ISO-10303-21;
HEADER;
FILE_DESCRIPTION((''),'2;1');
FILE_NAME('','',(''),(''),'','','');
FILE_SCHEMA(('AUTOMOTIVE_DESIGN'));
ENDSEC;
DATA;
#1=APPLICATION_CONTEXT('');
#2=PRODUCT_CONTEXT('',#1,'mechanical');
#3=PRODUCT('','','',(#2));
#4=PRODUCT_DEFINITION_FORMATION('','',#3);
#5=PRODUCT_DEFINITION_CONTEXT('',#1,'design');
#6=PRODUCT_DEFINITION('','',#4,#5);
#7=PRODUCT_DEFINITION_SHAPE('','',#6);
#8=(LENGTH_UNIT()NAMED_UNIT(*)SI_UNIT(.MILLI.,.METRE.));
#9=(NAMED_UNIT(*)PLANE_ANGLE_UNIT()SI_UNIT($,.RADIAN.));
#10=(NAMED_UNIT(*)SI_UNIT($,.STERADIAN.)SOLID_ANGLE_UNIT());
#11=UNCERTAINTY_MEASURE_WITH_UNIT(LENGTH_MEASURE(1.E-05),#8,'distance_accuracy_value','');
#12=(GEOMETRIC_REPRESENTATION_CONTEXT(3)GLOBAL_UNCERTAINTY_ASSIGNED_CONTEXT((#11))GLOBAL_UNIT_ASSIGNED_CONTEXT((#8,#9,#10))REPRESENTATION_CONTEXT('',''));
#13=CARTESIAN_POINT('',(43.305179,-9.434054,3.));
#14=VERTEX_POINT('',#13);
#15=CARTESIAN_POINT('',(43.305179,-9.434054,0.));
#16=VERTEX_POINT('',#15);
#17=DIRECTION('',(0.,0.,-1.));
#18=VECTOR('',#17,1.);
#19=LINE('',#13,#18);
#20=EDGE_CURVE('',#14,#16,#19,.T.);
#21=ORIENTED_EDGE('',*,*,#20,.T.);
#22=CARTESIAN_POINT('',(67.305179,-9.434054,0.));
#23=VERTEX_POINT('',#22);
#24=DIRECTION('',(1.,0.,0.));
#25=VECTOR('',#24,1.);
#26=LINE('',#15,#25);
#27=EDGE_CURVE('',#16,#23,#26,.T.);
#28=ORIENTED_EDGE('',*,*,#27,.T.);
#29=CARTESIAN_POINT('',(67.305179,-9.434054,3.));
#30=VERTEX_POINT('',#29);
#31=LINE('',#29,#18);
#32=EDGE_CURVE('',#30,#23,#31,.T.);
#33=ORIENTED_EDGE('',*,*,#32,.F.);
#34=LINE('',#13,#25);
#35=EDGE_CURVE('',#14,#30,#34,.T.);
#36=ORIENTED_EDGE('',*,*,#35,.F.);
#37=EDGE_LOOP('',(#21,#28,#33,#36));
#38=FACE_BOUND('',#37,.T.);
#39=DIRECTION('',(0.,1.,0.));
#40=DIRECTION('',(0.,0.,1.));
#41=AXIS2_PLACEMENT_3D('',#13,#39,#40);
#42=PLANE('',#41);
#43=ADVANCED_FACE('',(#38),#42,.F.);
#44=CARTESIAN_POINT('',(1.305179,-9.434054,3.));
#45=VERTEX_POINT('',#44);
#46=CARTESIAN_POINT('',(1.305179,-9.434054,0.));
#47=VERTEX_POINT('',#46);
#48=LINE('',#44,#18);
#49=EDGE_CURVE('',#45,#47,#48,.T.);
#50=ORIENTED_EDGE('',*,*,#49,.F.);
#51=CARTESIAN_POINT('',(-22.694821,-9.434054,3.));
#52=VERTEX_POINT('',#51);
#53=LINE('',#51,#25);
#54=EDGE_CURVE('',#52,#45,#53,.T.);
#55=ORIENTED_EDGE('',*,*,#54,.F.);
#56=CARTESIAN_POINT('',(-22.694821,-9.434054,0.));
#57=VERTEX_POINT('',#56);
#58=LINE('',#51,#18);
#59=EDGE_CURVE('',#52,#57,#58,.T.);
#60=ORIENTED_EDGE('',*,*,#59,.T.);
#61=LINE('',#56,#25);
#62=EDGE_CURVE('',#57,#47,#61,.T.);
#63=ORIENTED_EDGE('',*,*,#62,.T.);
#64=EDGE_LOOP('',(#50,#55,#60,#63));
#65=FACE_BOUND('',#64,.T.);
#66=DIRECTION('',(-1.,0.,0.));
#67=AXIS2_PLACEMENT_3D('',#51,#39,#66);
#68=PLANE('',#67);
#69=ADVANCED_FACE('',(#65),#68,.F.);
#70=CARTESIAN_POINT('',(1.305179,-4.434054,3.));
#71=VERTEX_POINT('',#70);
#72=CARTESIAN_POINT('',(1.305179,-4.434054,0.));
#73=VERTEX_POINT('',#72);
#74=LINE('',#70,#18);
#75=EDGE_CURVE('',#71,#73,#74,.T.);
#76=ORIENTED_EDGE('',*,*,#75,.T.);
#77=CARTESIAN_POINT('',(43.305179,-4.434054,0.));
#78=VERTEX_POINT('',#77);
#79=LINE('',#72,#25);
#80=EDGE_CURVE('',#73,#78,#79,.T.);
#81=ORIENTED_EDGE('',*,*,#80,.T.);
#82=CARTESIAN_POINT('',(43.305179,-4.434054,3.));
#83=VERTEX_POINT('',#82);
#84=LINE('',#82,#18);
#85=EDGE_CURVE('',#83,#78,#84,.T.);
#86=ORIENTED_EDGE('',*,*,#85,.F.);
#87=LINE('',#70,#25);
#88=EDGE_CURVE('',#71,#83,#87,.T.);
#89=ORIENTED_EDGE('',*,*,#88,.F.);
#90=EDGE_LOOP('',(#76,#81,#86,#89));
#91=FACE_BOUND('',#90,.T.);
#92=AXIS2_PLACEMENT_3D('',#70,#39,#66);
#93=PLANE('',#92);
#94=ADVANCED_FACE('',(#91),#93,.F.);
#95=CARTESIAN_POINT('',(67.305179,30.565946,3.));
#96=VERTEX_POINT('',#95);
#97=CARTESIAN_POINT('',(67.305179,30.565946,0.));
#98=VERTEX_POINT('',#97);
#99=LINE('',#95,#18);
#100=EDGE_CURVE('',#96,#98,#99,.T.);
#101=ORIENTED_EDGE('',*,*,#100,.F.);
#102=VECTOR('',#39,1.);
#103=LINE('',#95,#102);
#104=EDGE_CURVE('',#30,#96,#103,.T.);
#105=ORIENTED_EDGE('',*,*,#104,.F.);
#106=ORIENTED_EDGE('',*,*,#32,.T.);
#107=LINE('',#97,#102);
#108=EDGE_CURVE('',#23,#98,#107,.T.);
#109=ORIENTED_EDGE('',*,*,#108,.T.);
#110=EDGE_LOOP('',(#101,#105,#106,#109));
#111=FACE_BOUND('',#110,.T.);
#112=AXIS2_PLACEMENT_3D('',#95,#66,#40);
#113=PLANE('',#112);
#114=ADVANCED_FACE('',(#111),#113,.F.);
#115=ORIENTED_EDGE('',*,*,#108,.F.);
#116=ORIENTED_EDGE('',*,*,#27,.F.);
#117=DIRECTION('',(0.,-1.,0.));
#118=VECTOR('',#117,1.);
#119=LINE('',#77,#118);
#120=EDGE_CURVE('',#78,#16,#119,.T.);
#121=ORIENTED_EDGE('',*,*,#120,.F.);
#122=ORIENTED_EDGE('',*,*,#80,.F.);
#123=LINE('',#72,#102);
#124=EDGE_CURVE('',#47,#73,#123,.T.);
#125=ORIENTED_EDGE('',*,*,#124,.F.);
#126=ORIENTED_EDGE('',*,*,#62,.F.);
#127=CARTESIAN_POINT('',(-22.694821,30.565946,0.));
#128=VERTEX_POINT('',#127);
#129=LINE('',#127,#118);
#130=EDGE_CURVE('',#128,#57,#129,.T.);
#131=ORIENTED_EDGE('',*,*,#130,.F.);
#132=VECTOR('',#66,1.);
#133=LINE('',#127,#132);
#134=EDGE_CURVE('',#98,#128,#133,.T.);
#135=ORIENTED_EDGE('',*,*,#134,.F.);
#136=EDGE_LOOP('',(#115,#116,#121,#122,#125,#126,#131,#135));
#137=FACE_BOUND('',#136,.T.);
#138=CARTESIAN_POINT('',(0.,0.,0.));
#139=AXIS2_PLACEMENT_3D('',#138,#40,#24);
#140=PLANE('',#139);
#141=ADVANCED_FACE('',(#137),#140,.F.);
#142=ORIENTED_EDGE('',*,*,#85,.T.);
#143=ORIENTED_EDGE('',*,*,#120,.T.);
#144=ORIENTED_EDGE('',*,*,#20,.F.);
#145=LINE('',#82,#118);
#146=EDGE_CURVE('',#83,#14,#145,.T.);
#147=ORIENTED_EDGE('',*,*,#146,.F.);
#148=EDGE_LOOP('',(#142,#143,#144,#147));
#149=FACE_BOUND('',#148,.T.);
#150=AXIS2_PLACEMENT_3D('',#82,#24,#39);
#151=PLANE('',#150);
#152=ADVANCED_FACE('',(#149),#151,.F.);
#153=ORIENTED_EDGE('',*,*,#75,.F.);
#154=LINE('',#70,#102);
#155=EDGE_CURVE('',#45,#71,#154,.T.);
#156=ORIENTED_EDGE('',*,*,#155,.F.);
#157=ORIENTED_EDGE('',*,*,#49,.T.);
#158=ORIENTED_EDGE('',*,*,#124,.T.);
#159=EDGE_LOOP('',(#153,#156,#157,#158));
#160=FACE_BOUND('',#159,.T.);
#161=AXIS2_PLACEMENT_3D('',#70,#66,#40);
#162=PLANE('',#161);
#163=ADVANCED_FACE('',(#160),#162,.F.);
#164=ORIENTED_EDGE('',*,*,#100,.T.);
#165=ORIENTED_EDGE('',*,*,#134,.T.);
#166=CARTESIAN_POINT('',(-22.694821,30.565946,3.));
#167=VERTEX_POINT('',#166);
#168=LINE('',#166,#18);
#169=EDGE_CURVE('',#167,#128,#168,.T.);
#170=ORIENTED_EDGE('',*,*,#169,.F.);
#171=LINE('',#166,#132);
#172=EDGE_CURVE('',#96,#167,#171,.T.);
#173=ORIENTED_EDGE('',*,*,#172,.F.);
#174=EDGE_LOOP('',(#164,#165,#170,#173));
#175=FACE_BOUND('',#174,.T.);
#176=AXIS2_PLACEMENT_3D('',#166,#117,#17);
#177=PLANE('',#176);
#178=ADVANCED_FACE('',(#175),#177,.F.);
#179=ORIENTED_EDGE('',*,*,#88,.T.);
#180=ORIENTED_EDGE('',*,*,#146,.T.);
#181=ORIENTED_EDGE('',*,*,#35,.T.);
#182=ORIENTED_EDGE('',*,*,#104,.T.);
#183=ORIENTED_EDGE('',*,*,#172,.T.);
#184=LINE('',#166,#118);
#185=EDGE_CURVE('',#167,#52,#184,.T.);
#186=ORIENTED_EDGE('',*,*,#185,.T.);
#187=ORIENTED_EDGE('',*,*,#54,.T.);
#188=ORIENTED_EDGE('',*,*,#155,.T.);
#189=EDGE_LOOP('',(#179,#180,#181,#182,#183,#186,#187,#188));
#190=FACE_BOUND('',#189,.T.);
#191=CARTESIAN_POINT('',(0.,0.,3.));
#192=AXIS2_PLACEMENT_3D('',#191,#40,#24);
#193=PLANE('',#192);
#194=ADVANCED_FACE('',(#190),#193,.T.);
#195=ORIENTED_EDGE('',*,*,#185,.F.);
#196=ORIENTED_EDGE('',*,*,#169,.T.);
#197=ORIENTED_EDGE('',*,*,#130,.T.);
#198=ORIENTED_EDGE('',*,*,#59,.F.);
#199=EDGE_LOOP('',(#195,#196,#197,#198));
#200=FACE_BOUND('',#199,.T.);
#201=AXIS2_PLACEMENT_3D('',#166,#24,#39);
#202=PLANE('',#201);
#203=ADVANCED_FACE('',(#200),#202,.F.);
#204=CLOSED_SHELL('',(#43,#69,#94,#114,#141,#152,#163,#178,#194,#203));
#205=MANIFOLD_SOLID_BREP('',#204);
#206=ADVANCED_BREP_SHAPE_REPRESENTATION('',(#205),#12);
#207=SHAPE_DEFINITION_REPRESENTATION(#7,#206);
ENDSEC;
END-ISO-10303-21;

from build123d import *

# Parameters (mm, degrees)
EXTRUDE_1_DEPTH = 3


with BuildPart() as part:
    # 草图1 → 凸台-拉伸1 (new body)
    with BuildSketch(Plane.XY):
        Polygon((-22.694820717, 30.565946334), (67.305179283, 30.565946334), (67.305179283, -9.434053666), (43.305179283, -9.434053666), (43.305179283, -4.434053666), (1.305179283, -4.434053666), (1.305179283, -9.434053666), (-22.694820717, -9.434053666), align=None)
    extrude(amount=EXTRUDE_1_DEPTH)


solid = part.part
